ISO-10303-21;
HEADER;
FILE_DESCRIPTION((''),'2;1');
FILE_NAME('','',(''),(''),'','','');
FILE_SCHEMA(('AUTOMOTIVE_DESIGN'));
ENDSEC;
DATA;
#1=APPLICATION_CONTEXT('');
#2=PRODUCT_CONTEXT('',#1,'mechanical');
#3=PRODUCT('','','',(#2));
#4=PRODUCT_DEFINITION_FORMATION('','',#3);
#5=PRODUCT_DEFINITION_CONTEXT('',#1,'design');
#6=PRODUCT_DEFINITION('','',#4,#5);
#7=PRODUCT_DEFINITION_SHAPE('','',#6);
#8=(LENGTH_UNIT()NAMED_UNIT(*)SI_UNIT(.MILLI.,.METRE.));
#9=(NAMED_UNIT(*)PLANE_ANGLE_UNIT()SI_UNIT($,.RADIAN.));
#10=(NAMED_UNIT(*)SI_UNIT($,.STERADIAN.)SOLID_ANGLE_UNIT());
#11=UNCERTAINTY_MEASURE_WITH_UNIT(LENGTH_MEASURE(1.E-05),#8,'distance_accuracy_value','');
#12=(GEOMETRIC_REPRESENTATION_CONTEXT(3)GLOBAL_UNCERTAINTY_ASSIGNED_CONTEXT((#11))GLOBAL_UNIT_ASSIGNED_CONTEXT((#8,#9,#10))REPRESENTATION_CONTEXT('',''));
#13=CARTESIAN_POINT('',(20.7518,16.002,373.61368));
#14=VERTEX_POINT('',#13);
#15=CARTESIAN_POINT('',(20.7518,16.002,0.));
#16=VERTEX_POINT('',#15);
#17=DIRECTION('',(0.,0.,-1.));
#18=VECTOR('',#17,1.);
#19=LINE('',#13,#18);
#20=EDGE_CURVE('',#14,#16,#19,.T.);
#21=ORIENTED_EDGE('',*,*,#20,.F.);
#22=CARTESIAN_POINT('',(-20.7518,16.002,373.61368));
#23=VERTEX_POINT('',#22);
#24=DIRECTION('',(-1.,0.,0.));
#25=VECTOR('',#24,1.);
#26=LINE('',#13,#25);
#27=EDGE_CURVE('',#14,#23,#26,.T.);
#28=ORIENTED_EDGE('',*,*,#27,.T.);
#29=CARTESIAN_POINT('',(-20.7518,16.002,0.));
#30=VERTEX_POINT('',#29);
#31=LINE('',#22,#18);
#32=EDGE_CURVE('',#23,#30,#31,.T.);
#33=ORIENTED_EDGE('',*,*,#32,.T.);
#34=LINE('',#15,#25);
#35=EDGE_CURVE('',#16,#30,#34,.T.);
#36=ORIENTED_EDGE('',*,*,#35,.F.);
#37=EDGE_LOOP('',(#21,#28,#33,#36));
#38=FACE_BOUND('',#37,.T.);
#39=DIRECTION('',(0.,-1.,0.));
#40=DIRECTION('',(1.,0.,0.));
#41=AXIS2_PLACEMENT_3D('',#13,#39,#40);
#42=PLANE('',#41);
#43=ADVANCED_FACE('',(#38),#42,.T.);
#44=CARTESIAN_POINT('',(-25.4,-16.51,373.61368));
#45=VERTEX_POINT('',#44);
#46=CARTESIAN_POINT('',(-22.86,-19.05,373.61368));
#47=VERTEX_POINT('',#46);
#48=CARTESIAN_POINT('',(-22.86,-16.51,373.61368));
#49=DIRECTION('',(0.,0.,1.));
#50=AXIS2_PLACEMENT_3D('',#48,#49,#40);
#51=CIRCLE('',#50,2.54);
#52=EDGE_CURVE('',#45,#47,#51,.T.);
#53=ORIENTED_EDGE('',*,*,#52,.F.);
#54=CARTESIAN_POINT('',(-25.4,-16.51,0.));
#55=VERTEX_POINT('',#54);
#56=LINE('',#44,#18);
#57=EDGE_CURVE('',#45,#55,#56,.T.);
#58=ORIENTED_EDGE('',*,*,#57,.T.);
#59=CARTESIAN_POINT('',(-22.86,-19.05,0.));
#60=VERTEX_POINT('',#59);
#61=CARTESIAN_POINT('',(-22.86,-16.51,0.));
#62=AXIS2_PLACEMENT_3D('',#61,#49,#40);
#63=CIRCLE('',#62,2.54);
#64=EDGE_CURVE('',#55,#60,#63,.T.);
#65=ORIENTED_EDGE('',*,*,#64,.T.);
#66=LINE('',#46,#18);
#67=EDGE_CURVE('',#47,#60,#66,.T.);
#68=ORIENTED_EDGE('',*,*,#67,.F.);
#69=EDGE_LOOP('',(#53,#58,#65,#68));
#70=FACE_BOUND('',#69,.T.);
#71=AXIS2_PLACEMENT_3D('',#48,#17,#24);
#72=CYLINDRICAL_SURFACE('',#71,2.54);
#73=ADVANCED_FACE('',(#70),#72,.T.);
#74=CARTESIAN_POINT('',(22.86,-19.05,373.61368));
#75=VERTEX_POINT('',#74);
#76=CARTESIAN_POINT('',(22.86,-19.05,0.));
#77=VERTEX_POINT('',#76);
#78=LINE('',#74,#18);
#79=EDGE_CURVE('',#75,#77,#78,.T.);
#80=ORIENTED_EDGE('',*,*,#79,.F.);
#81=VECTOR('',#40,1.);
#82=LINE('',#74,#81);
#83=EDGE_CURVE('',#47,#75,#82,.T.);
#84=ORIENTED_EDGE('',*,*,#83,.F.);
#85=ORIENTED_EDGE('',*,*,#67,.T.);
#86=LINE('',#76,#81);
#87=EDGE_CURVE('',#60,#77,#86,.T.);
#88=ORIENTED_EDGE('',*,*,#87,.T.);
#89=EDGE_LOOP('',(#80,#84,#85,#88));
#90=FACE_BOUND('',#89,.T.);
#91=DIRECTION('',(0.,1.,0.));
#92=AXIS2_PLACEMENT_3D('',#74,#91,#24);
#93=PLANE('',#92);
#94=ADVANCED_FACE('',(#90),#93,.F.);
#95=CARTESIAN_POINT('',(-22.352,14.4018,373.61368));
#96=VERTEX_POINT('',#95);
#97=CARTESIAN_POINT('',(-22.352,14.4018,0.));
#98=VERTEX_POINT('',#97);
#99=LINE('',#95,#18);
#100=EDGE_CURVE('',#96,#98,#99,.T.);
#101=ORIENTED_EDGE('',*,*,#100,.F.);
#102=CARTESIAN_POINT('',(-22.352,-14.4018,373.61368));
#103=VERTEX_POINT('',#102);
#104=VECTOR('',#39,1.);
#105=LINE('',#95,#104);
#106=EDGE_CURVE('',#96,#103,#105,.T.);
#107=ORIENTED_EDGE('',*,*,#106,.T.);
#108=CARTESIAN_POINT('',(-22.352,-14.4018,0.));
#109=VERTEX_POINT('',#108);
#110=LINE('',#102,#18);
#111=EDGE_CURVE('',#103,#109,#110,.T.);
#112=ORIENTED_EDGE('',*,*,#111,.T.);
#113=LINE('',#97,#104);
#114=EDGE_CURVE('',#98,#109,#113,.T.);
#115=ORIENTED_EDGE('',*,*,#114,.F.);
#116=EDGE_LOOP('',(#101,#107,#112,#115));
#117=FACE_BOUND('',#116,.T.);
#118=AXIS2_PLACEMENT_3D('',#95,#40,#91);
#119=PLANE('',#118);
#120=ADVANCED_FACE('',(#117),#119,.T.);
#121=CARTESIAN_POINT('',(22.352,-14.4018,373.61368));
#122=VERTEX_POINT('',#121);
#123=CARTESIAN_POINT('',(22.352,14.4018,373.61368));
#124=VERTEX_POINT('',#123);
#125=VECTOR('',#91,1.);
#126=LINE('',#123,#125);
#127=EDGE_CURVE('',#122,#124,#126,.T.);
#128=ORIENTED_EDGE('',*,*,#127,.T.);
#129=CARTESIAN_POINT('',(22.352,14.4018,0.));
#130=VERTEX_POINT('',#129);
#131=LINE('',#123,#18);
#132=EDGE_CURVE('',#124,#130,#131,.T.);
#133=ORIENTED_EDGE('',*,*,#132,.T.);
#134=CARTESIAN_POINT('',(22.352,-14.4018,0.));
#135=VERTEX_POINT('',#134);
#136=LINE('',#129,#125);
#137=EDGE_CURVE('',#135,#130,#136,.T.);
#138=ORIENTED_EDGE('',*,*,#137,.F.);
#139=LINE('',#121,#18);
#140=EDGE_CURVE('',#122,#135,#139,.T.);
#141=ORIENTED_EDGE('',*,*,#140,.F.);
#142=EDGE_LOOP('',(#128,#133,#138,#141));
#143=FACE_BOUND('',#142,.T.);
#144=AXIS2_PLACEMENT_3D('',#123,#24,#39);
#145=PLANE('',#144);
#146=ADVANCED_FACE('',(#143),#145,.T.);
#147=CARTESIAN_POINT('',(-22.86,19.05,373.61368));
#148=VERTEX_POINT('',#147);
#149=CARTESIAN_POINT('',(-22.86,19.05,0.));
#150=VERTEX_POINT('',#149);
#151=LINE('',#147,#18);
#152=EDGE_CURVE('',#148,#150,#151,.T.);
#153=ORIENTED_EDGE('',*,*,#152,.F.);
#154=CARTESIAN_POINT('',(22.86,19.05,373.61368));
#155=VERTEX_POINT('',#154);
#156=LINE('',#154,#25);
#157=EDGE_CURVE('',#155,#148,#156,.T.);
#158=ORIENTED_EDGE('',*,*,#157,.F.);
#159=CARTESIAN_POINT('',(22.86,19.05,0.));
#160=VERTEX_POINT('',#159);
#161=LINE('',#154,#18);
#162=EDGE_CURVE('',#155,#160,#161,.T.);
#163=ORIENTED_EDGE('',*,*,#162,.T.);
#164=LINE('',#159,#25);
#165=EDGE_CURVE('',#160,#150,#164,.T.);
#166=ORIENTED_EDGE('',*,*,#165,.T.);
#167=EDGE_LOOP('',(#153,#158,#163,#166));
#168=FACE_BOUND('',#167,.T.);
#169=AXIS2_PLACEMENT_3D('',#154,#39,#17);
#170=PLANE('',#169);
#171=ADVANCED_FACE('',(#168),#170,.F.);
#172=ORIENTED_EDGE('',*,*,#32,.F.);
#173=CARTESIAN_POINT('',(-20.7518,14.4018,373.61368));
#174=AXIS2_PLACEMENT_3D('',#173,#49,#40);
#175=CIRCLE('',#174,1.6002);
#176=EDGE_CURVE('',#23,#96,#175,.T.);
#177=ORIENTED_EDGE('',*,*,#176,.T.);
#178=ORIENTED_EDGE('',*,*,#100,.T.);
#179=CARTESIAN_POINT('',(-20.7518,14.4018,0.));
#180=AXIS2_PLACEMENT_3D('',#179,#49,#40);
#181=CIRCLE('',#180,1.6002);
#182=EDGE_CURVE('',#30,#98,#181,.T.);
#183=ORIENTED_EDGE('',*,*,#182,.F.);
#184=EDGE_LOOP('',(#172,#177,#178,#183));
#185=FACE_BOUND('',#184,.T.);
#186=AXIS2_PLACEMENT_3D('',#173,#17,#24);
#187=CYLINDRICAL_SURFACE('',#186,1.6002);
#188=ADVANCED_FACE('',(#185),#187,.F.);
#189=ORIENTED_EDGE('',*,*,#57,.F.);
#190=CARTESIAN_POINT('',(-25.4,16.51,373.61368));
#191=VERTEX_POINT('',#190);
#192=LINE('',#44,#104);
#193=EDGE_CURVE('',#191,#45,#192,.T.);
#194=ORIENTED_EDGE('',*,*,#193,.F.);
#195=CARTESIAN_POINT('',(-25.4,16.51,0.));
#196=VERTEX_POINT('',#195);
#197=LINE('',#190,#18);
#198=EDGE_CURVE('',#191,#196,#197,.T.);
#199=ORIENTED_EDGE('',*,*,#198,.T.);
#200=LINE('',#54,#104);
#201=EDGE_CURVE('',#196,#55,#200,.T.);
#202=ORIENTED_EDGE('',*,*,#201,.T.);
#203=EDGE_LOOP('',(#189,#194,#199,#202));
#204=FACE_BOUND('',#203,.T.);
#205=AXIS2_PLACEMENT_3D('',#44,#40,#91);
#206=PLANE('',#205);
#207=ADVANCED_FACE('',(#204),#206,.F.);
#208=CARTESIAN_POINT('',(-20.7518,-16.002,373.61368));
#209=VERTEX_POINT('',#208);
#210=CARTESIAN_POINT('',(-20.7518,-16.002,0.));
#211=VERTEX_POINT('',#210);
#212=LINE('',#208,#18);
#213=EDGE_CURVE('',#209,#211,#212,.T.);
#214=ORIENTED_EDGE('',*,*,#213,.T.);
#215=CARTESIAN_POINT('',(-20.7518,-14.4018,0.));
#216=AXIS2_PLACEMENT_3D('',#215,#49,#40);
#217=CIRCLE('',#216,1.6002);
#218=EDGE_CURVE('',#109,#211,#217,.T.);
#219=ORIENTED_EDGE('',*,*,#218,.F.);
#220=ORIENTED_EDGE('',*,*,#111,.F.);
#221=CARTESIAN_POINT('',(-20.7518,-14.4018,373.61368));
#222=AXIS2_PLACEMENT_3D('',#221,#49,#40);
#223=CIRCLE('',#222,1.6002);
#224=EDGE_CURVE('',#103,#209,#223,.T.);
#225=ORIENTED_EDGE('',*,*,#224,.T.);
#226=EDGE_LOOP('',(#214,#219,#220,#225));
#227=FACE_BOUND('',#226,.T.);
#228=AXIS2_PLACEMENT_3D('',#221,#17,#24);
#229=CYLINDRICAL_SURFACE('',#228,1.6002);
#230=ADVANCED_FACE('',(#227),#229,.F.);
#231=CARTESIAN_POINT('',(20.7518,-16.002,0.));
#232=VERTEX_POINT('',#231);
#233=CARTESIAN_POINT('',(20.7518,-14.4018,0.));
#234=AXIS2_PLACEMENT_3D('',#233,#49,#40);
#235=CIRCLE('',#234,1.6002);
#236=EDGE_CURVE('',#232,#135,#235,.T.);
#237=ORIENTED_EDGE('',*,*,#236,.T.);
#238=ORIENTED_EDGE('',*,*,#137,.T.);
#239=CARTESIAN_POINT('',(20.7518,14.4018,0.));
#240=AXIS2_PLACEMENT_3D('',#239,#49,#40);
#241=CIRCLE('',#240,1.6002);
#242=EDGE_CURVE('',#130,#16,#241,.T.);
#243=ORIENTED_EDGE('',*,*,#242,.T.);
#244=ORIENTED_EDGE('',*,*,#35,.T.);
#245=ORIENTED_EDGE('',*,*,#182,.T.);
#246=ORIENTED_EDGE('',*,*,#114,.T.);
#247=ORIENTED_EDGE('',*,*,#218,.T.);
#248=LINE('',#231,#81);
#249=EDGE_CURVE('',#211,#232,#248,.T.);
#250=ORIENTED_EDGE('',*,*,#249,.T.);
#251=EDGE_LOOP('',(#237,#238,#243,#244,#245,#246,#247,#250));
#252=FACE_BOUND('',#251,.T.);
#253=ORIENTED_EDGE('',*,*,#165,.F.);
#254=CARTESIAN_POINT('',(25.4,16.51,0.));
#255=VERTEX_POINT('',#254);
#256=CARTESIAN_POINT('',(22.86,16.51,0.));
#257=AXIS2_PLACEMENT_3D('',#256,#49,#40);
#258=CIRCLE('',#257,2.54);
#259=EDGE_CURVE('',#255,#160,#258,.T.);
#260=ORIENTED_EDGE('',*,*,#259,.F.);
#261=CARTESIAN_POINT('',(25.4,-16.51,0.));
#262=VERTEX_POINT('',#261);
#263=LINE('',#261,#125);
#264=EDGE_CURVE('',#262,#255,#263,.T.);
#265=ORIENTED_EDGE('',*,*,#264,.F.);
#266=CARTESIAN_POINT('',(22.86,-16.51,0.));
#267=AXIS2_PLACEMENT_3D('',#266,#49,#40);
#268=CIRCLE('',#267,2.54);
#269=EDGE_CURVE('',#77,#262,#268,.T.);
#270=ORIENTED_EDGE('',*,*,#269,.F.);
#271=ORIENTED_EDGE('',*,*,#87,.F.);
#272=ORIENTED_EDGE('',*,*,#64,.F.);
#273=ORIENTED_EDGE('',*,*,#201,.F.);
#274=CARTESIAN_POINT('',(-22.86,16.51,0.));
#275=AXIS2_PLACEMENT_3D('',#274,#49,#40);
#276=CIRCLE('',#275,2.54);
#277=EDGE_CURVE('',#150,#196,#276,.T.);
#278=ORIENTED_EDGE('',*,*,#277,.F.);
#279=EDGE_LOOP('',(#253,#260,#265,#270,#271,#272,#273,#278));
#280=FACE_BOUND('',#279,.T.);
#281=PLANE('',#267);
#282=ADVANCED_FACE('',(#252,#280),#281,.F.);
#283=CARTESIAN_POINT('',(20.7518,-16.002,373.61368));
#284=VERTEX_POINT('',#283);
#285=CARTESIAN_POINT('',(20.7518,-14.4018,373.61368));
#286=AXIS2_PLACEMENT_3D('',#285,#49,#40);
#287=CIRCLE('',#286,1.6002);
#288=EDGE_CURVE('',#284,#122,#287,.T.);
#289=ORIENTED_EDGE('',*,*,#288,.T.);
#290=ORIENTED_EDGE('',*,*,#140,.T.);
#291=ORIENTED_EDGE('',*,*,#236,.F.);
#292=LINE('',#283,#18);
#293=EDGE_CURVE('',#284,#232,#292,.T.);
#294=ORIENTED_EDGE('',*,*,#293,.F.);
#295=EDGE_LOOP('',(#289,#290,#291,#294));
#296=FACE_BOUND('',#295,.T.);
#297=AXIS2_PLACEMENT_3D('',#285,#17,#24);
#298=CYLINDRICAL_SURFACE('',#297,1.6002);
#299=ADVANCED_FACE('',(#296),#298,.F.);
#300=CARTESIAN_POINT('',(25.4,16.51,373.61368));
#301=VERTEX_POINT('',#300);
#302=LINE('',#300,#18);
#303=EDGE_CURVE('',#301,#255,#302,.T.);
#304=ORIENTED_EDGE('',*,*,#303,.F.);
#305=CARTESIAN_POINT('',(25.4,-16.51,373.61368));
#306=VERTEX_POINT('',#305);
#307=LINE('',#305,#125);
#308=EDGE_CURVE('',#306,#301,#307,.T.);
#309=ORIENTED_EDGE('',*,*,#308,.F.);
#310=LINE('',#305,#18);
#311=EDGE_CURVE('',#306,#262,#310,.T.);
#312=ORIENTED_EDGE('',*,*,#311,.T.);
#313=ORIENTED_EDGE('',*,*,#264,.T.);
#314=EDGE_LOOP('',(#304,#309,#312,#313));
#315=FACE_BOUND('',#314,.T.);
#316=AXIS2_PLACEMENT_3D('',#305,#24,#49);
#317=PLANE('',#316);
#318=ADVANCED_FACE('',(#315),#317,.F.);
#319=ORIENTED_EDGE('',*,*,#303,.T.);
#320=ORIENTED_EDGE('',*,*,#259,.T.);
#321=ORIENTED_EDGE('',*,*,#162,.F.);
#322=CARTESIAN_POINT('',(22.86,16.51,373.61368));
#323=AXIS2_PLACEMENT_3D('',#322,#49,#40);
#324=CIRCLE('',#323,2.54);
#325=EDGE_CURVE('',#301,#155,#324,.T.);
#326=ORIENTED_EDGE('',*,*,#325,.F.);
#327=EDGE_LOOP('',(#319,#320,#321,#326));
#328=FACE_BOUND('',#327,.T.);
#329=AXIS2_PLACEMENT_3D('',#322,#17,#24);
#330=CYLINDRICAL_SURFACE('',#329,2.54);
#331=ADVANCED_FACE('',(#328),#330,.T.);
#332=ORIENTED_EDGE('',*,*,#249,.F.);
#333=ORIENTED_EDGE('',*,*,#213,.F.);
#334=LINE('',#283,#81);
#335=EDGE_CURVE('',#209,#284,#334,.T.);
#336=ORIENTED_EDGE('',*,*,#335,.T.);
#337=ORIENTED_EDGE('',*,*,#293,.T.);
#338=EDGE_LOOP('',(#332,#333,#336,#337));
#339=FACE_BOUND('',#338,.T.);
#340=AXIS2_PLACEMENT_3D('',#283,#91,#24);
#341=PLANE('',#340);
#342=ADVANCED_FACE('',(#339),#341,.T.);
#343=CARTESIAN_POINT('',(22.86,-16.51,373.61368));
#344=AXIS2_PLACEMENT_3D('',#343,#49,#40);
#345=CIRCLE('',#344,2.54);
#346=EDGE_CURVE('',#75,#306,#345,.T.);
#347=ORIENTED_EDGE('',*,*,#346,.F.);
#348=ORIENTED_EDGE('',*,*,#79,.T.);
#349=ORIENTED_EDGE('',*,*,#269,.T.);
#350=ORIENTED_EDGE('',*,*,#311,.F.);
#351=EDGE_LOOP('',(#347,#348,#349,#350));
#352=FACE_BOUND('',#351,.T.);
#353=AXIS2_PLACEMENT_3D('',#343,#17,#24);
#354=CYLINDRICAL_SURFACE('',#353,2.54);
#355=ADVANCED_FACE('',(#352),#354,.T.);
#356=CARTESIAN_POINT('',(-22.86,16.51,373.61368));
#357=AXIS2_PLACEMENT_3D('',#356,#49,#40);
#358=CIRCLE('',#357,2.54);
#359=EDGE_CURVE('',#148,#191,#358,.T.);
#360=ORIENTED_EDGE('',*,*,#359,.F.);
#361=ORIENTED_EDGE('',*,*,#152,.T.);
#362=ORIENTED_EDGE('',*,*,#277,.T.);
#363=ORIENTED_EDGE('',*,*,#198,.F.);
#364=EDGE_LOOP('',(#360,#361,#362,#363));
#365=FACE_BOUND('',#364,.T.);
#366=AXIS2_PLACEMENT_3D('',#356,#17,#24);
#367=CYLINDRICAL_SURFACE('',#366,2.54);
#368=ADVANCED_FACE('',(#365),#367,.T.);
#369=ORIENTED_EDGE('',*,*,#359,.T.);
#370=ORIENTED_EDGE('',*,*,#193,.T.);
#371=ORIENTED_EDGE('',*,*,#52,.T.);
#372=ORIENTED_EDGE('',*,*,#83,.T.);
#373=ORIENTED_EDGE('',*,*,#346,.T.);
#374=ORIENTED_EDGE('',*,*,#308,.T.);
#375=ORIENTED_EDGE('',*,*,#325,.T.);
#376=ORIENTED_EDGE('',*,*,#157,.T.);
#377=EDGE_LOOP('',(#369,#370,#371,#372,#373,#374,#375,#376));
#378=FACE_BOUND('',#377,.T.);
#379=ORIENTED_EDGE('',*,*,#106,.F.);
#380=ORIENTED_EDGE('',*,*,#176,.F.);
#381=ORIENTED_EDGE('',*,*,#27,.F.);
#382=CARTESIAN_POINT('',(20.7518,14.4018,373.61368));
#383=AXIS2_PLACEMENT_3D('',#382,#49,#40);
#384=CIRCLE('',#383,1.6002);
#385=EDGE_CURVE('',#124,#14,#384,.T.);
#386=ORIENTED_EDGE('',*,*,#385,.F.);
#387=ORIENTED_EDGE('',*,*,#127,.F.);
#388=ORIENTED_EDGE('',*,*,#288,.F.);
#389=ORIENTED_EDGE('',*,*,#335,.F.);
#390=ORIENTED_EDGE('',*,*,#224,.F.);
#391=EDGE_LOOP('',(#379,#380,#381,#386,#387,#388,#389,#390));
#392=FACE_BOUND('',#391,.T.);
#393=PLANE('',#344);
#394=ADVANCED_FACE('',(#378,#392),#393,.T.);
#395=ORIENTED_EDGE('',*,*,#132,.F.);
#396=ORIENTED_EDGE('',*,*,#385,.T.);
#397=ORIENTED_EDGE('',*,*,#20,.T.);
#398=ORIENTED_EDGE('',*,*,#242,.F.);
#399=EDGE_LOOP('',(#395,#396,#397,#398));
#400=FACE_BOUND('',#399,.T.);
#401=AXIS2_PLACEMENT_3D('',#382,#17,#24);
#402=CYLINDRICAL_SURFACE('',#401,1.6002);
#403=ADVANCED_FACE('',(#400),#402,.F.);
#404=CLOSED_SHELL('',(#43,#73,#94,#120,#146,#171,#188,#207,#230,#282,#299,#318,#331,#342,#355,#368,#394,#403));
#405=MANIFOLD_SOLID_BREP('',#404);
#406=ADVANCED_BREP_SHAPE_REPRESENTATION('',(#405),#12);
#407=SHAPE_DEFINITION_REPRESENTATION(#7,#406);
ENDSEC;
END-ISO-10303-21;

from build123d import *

# Parameters (mm, degrees)
BOSS_EXTRUDE1_DEPTH = 373.61368


with BuildPart() as part:
    # Sketch4 → Boss-Extrude1 (new body)
    with BuildSketch(Plane.XY):
        with BuildLine():
            Line((25.4, -16.51), (25.4, 16.51))
            ThreePointArc((25.4, 16.51), (24.656051224, 18.306051224), (22.86, 19.05))
            Line((22.86, 19.05), (-22.86, 19.05))
            ThreePointArc((-22.86, 19.05), (-24.656051224, 18.306051224), (-25.4, 16.51))
            Line((-25.4, 16.51), (-25.4, -16.51))
            ThreePointArc((-25.4, -16.51), (-24.656051224, -18.306051224), (-22.86, -19.05))
            Line((-22.86, -19.05), (22.86, -19.05))
            ThreePointArc((22.86, -19.05), (24.656051224, -18.306051224), (25.4, -16.51))
        make_face()
        with BuildLine():
            Line((22.352, 14.4018), (22.352, -14.4018))
            ThreePointArc((22.352, -14.4018), (21.883312271, -15.533312271), (20.7518, -16.002))
            Line((20.7518, -16.002), (-20.7518, -16.002))
            ThreePointArc((-20.7518, -16.002), (-21.883312271, -15.533312271), (-22.352, -14.4018))
            Line((-22.352, -14.4018), (-22.352, 14.4018))
            ThreePointArc((-22.352, 14.4018), (-21.883312271, 15.533312271), (-20.7518, 16.002))
            Line((-20.7518, 16.002), (20.7518, 16.002))
            ThreePointArc((20.7518, 16.002), (21.883312271, 15.533312271), (22.352, 14.4018))
        make_face(mode=Mode.SUBTRACT)
    extrude(amount=BOSS_EXTRUDE1_DEPTH)


solid = part.part
